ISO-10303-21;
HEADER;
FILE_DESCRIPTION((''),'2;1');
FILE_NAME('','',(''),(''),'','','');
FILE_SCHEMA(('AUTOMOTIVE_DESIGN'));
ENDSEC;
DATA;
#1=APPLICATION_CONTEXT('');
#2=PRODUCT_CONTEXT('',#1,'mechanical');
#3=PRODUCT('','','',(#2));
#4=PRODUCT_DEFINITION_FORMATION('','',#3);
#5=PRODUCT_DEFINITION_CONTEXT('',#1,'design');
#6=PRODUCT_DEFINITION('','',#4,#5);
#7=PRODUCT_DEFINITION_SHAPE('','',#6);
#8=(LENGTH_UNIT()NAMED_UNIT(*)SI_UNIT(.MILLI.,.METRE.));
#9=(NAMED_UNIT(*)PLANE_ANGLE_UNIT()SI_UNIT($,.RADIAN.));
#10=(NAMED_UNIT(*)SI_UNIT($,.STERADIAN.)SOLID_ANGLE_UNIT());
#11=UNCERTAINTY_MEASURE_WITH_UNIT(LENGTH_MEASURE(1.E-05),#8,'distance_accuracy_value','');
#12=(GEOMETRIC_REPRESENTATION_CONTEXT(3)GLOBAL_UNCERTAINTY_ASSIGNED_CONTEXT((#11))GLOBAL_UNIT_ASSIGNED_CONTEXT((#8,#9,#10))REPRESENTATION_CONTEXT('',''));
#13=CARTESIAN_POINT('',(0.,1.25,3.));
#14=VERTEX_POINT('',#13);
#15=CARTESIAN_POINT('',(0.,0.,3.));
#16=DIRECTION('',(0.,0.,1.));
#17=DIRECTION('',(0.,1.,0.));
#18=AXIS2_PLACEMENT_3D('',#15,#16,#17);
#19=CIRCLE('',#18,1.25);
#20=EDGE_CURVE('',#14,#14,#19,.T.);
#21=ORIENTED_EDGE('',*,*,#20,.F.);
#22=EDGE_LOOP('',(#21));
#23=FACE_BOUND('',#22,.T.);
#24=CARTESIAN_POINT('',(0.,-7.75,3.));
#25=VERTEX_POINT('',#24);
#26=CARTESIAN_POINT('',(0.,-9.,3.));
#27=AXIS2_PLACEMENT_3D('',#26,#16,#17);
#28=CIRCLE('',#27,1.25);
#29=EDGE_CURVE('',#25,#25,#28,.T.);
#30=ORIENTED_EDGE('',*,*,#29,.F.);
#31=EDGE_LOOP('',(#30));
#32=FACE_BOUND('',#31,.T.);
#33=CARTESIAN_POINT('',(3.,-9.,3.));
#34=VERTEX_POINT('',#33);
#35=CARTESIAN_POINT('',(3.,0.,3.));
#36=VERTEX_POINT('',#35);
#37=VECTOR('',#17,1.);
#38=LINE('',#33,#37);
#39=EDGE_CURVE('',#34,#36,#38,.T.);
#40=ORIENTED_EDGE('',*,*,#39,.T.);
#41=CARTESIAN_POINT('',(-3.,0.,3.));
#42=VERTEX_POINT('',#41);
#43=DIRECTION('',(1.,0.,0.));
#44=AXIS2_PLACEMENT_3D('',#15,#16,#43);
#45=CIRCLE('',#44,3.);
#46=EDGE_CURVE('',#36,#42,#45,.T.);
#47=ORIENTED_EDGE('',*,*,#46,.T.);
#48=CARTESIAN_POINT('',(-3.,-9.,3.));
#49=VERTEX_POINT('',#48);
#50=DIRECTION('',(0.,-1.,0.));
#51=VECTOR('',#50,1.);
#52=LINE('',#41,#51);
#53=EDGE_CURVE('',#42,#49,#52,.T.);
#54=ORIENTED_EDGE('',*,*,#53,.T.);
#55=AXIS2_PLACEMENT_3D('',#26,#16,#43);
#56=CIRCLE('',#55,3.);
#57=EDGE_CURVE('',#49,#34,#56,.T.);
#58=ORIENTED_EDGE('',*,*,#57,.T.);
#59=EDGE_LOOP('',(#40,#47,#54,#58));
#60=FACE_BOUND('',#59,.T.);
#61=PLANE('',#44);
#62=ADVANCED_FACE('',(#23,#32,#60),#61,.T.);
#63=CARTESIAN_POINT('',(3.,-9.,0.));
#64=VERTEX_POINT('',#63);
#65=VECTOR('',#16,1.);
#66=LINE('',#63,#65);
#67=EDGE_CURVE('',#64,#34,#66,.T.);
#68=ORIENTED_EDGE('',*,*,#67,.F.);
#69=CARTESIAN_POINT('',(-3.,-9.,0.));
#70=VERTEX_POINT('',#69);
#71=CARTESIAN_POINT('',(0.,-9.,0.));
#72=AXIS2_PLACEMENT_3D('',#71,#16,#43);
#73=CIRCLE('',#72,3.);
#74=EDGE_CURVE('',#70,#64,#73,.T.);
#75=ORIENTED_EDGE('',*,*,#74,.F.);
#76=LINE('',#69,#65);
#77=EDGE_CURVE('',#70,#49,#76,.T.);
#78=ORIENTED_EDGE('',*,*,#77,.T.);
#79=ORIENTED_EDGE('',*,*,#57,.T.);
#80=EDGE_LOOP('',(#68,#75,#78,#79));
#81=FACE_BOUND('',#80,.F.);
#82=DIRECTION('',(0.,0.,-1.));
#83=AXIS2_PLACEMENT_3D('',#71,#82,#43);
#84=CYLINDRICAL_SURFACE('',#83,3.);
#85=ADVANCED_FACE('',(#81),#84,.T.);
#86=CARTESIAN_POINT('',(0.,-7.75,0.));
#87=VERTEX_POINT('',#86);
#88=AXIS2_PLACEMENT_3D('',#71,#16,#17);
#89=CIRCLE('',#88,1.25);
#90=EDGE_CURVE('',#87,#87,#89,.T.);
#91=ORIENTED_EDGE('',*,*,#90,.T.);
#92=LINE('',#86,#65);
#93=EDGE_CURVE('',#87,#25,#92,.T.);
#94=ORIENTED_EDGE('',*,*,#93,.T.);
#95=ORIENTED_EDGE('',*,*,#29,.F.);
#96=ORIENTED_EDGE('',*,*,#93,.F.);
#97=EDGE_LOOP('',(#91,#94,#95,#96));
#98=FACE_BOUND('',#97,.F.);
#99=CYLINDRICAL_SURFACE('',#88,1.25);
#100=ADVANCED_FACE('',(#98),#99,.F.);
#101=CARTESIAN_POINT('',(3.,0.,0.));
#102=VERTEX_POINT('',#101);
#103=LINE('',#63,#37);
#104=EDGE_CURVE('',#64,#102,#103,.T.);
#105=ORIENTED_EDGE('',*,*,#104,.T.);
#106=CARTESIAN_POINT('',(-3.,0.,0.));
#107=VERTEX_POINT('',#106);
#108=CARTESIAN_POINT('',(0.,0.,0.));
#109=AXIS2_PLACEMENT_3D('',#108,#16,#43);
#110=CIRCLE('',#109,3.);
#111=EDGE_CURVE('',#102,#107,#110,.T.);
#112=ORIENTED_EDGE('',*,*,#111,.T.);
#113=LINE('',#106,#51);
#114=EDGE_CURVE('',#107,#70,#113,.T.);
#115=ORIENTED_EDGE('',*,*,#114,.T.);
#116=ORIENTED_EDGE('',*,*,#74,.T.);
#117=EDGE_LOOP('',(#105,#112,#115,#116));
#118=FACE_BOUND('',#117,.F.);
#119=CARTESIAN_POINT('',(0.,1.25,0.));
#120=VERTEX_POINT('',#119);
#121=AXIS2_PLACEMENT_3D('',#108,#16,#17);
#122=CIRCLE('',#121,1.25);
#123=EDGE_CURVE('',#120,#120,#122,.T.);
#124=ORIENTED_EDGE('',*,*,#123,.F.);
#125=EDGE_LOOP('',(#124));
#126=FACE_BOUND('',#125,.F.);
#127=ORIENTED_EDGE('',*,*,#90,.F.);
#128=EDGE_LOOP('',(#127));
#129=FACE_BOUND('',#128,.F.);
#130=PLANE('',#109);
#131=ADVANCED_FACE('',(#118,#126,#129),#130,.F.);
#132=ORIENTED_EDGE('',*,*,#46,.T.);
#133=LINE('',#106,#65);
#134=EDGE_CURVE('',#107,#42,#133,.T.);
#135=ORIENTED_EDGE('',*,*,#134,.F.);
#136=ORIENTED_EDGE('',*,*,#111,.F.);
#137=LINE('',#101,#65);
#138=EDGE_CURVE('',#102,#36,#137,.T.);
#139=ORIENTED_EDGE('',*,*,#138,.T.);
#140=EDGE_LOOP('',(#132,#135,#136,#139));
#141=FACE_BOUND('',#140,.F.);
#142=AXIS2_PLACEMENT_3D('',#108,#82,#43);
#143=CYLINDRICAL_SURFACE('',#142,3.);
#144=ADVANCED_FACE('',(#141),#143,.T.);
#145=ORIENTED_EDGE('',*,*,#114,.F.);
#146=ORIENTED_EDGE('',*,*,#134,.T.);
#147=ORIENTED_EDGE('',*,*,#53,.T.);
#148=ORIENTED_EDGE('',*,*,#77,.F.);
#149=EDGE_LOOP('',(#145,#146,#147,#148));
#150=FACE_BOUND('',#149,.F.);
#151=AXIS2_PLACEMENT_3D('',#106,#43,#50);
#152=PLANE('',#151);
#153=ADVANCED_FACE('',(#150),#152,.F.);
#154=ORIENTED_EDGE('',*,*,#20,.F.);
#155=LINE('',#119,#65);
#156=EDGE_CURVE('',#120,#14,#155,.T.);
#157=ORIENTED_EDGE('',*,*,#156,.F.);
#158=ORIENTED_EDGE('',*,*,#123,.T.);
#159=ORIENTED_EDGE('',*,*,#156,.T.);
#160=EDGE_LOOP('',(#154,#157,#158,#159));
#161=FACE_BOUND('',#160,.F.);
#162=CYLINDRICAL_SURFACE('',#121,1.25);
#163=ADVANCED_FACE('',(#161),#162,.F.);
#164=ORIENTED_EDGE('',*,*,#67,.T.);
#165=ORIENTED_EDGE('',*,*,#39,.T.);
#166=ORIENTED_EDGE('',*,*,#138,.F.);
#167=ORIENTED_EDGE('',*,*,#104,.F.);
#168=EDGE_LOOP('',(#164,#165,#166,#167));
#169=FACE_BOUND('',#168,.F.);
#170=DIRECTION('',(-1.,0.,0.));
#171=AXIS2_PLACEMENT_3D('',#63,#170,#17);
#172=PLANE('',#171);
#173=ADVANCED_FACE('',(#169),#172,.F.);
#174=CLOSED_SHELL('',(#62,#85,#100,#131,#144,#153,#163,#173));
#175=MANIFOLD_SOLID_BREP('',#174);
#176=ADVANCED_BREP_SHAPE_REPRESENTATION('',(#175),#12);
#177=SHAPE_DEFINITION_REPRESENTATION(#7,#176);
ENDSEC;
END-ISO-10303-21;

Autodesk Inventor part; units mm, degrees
ref_plane "YZ Plane" through (0, 0, 0) normal (1, 0, 0) x (0, 1, 0)
ref_plane "XZ Plane" through (0, 0, 0) normal (0, 1, 0) x (-1, 0, 0)
ref_plane "XY Plane" through (0, 0, 0) normal (0, 0, 1) x (1, 0, 0)
sketch "Base" plane through (0, 0, 0) normal (0, 0, 1) x (1, 0, 0)
  circle A0 centre (0, 0) radius 3
  line L0 (0, 0) -> (0, -9) construction
  circle A1 centre (0, -9) radius 3
  line L1 (-3, 0) -> (-3, -9)
  line L2 (3, -9) -> (3, 0)
  dimension "d0" = 6
  dimension "d1" = 9
extrude "BaseFeature" add sketch "Base" along normal blind 3
hole "MountHolesFeature" at (0, 0, 0) at (0, -9, 0) at (0, -9, 0) direction (0, 0, 1) diameter 2.5 end through all
properties part number "VibroMount"
